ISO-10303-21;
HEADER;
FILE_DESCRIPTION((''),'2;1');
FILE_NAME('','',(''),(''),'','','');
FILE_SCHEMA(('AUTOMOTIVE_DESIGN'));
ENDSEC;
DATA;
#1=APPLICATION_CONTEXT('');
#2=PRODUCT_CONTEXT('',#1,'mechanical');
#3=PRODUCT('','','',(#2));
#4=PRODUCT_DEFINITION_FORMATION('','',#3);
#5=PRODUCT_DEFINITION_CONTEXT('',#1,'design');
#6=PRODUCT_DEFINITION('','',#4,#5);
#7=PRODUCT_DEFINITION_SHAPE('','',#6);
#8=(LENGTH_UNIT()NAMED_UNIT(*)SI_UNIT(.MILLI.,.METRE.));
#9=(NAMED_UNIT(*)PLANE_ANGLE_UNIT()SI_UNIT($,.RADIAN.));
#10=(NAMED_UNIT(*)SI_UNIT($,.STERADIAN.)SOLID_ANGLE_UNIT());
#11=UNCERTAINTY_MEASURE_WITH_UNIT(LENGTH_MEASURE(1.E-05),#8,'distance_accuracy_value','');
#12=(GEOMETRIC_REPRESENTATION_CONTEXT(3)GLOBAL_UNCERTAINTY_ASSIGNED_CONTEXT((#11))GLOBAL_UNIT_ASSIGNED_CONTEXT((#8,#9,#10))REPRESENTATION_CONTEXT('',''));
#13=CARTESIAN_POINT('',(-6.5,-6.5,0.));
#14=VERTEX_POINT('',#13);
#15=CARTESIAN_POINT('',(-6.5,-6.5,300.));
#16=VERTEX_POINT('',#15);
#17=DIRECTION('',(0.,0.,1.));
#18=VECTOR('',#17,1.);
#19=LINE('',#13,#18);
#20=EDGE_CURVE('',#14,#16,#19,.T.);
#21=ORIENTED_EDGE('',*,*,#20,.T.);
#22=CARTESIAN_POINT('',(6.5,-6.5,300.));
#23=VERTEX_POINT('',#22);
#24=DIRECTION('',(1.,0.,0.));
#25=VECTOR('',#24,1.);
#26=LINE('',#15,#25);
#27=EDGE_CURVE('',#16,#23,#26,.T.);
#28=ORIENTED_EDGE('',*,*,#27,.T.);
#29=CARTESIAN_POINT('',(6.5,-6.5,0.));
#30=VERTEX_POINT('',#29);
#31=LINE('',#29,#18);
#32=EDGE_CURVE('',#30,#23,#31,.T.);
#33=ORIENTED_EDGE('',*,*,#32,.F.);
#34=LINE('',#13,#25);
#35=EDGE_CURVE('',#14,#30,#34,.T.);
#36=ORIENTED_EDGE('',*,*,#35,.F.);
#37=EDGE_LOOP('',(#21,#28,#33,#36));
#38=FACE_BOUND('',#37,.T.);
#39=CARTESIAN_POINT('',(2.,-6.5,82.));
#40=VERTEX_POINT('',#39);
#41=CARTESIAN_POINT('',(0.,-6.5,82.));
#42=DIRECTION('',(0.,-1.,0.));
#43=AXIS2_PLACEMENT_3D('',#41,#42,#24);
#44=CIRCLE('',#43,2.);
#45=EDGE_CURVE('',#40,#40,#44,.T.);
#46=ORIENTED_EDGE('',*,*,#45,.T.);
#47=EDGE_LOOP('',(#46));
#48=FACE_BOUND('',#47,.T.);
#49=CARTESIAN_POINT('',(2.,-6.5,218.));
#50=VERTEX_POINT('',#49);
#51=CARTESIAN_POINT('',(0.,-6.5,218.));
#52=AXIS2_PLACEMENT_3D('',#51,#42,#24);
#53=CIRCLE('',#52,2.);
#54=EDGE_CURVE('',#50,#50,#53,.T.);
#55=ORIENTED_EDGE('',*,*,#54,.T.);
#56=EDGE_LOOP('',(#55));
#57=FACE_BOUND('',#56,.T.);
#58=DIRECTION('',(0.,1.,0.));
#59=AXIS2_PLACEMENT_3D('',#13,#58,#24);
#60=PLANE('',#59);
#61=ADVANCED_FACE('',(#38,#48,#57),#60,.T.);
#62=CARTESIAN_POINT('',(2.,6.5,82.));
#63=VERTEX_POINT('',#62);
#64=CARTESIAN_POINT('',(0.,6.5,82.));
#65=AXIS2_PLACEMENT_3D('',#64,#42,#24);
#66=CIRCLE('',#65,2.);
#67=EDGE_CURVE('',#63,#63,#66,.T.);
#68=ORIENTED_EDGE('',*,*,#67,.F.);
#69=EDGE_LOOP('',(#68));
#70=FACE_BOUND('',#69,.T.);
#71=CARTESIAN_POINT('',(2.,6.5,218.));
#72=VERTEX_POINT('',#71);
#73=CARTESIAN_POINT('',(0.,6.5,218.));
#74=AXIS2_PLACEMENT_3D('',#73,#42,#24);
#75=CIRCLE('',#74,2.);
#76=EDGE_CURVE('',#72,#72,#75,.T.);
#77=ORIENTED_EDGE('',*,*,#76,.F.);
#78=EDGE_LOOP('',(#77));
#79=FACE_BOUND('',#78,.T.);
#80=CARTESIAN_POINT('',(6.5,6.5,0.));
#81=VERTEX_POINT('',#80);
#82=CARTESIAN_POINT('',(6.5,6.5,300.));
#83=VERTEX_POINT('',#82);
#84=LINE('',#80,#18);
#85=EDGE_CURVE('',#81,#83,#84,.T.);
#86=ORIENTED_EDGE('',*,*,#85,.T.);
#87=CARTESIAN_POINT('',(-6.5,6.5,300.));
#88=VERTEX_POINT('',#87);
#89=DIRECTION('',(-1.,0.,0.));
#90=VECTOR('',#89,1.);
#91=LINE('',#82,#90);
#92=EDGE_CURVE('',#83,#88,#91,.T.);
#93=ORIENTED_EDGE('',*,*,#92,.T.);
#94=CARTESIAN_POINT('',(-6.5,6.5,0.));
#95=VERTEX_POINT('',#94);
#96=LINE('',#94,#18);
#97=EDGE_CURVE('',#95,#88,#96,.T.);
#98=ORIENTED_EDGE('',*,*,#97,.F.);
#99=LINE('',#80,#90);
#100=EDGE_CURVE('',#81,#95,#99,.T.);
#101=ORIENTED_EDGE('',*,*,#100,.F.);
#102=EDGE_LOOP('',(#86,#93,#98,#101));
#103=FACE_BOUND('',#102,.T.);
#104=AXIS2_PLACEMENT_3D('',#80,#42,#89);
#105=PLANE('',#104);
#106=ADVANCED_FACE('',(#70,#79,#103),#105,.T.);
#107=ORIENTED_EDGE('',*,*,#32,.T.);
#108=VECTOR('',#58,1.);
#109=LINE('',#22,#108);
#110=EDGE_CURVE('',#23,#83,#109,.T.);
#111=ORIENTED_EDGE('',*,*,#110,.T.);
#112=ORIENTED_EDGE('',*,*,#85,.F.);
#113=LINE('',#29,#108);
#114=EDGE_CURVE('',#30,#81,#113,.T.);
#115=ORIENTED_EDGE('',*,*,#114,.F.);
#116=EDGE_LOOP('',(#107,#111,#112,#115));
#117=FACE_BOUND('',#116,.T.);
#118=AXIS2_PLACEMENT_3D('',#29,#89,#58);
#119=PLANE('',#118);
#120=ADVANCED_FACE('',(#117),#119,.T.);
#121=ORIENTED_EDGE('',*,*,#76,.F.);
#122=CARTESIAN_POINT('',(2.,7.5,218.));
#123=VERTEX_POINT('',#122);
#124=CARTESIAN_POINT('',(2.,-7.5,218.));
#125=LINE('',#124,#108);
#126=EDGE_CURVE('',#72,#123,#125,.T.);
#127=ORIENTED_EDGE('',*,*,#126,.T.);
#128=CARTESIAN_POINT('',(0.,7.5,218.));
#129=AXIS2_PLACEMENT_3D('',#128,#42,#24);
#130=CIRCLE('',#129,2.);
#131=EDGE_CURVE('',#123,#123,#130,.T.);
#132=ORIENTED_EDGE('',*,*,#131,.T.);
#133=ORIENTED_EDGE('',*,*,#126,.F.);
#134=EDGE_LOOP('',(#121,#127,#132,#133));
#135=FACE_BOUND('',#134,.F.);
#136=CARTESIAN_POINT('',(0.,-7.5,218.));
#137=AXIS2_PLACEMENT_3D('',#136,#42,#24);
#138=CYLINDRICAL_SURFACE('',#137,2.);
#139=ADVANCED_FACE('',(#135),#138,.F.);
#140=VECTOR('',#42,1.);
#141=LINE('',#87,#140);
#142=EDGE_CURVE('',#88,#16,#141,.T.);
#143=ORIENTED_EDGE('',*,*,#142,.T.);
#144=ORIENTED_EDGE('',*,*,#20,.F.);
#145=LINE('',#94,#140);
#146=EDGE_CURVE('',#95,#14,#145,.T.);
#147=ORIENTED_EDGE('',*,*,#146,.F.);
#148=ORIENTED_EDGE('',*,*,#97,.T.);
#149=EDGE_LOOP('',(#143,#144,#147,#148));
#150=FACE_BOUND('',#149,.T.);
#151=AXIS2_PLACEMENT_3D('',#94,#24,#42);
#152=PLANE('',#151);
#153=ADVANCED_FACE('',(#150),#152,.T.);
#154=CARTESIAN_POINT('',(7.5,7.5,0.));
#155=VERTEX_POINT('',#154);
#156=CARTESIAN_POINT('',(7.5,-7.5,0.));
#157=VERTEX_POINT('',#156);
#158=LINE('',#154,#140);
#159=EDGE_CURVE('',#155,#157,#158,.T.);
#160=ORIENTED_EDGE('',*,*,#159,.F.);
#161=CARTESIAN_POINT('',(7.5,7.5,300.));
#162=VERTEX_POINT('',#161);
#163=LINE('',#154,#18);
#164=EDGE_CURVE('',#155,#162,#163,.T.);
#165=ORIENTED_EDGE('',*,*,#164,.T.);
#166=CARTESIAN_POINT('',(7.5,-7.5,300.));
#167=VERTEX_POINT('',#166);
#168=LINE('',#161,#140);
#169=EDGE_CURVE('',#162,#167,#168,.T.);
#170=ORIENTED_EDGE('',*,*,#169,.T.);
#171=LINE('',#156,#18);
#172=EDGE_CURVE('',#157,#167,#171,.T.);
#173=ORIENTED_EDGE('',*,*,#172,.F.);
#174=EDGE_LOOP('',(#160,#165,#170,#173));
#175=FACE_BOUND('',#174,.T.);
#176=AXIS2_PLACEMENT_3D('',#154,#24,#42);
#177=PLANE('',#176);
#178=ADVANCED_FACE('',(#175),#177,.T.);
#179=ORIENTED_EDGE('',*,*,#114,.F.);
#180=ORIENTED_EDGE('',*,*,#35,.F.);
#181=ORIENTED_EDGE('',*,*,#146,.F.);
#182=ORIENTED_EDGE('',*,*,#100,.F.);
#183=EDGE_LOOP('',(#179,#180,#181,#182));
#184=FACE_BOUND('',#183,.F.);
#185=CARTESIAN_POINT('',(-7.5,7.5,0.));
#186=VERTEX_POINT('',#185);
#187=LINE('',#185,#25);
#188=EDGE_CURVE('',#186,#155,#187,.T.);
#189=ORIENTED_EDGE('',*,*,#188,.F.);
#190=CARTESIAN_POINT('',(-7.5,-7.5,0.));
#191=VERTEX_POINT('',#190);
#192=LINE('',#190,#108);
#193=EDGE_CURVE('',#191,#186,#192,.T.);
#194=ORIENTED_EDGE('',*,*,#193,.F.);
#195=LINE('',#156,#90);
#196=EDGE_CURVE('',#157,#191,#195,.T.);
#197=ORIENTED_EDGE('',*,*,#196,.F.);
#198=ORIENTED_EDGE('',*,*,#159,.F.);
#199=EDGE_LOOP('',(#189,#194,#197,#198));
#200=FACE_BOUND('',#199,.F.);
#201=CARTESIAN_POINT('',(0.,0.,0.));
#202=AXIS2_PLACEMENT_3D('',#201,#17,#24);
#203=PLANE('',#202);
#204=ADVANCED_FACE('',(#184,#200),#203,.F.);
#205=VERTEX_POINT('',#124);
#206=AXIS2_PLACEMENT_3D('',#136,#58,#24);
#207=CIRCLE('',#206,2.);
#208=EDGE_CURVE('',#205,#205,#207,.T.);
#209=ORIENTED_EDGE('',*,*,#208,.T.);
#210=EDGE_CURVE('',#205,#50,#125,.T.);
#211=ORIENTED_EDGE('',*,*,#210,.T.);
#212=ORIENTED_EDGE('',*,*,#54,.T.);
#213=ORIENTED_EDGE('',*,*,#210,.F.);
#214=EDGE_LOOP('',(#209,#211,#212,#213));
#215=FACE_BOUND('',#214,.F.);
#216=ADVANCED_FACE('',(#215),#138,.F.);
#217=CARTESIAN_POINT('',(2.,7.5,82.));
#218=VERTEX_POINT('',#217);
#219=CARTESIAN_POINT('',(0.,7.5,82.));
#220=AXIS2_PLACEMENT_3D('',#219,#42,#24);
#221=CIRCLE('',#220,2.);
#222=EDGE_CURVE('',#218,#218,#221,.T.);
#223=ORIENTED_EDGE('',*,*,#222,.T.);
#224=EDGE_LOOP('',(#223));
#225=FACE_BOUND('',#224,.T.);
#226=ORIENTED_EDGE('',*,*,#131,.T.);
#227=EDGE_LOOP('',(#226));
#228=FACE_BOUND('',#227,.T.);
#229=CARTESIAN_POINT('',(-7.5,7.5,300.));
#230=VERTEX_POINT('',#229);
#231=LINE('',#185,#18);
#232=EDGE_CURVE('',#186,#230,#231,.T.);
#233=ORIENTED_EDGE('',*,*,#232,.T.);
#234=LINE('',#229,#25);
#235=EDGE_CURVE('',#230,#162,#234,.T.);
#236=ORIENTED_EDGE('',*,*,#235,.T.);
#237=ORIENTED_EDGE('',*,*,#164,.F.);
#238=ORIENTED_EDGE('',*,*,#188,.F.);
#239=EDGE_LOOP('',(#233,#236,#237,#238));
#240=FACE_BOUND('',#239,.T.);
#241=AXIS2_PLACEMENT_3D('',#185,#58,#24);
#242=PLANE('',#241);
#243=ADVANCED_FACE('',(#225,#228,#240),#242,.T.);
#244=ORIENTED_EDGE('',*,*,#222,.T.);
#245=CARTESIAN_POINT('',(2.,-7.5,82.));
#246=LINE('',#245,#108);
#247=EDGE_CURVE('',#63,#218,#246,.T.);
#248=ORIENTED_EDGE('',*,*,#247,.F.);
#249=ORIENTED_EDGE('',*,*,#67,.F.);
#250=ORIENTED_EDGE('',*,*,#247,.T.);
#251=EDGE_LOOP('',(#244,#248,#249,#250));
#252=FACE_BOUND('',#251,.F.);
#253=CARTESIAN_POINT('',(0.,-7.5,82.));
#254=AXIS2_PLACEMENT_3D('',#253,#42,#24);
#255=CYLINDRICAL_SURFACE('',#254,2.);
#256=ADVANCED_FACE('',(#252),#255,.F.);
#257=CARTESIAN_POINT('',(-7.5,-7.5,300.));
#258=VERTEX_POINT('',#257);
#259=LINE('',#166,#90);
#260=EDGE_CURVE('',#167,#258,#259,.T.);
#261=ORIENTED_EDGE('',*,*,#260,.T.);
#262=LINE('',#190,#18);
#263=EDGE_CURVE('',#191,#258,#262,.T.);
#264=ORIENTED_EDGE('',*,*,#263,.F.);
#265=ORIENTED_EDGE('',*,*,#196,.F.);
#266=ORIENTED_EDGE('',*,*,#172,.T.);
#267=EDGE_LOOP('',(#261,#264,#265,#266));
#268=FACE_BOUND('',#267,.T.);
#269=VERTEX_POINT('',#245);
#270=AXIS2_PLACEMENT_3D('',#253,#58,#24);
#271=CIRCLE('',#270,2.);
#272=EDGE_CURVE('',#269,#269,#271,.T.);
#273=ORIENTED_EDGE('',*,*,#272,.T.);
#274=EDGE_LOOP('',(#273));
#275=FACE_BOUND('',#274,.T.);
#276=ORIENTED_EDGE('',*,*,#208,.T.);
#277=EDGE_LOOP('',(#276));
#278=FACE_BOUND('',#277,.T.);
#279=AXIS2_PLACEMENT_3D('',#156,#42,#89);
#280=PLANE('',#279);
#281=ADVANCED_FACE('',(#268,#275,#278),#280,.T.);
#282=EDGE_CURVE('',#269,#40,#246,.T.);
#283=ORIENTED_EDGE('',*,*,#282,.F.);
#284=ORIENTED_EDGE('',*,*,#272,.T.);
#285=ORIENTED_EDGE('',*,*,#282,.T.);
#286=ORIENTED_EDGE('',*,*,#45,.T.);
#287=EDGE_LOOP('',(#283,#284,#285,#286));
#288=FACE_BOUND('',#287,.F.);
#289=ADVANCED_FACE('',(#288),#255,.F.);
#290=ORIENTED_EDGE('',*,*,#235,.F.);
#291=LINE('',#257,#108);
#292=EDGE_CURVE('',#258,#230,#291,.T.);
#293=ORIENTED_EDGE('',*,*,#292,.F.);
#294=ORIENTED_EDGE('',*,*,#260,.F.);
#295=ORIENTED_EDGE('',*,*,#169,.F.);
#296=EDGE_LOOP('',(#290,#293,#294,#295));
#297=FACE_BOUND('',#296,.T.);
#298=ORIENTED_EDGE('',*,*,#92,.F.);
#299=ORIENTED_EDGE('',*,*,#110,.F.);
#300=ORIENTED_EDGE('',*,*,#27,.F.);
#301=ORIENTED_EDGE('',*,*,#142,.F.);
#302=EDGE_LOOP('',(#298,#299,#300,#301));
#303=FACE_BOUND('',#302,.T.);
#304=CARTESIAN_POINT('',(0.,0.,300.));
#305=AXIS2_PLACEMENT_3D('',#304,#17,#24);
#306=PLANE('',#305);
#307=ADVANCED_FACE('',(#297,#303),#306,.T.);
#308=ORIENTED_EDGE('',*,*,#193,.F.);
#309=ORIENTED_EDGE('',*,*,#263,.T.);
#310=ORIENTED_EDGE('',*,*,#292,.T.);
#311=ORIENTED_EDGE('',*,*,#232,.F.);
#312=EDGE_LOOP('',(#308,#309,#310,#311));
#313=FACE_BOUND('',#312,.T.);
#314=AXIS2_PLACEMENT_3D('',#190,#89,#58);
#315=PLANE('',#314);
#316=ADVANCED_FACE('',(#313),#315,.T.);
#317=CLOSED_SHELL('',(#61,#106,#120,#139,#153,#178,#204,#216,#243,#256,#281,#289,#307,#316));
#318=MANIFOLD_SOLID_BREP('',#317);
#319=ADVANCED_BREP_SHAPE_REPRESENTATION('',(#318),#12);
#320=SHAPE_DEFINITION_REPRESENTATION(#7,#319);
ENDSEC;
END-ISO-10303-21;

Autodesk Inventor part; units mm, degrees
ref_plane "YZ Plane" through (0, 0, 0) normal (1, 0, 0) x (0, 1, 0)
ref_plane "XZ Plane" through (0, 0, 0) normal (0, 1, 0) x (-1, 0, 0)
ref_plane "XY Plane" through (0, 0, 0) normal (0, 0, 1) x (1, 0, 0)
sketch "草图1" plane through (0, 0, 0) normal (0, 0, 1) x (1, 0, 0)
  line L0 (7.5, -7.5) -> (-7.5, -7.5)
  line L1 (-7.5, -7.5) -> (-7.5, 7.5)
  line L2 (-7.5, 7.5) -> (7.5, 7.5)
  line L3 (7.5, 7.5) -> (7.5, -7.5)
  line L4 (7.5, -7.5) -> (-7.5, 7.5) construction
  line L5 (-7.5, -7.5) -> (7.5, 7.5) construction
  line L6 (6.5, 6.5) -> (-6.5, 6.5)
  line L7 (-6.5, 6.5) -> (-6.5, -6.5)
  line L8 (-6.5, -6.5) -> (6.5, -6.5)
  line L9 (6.5, -6.5) -> (6.5, 6.5)
  point P0 (0, 0)
  dimension "d0" = 15
  dimension "d1" = 15
  dimension "d2" = 1
extrude "拉伸1" add sketch "草图1" along normal blind 300
sketch "草图2" plane through (-7.5, -7.5, 0) normal (0, -1, 0) x (1, 0, 0)
  line L0 (14, 300) -> (1, 300) projected
  line L1 (7.5, 300) -> (7.5, 0)
  line L2 (7.5, 150) -> (64.493, 150)
  circle A0 centre (7.5, 218) radius 2
  circle A1 centre (7.5, 82) radius 2
  dimension "d5" = 4
  dimension "d8" = 68
extrude "拉伸2" cut sketch "草图2" against normal blind 300
properties part number "15x15"
